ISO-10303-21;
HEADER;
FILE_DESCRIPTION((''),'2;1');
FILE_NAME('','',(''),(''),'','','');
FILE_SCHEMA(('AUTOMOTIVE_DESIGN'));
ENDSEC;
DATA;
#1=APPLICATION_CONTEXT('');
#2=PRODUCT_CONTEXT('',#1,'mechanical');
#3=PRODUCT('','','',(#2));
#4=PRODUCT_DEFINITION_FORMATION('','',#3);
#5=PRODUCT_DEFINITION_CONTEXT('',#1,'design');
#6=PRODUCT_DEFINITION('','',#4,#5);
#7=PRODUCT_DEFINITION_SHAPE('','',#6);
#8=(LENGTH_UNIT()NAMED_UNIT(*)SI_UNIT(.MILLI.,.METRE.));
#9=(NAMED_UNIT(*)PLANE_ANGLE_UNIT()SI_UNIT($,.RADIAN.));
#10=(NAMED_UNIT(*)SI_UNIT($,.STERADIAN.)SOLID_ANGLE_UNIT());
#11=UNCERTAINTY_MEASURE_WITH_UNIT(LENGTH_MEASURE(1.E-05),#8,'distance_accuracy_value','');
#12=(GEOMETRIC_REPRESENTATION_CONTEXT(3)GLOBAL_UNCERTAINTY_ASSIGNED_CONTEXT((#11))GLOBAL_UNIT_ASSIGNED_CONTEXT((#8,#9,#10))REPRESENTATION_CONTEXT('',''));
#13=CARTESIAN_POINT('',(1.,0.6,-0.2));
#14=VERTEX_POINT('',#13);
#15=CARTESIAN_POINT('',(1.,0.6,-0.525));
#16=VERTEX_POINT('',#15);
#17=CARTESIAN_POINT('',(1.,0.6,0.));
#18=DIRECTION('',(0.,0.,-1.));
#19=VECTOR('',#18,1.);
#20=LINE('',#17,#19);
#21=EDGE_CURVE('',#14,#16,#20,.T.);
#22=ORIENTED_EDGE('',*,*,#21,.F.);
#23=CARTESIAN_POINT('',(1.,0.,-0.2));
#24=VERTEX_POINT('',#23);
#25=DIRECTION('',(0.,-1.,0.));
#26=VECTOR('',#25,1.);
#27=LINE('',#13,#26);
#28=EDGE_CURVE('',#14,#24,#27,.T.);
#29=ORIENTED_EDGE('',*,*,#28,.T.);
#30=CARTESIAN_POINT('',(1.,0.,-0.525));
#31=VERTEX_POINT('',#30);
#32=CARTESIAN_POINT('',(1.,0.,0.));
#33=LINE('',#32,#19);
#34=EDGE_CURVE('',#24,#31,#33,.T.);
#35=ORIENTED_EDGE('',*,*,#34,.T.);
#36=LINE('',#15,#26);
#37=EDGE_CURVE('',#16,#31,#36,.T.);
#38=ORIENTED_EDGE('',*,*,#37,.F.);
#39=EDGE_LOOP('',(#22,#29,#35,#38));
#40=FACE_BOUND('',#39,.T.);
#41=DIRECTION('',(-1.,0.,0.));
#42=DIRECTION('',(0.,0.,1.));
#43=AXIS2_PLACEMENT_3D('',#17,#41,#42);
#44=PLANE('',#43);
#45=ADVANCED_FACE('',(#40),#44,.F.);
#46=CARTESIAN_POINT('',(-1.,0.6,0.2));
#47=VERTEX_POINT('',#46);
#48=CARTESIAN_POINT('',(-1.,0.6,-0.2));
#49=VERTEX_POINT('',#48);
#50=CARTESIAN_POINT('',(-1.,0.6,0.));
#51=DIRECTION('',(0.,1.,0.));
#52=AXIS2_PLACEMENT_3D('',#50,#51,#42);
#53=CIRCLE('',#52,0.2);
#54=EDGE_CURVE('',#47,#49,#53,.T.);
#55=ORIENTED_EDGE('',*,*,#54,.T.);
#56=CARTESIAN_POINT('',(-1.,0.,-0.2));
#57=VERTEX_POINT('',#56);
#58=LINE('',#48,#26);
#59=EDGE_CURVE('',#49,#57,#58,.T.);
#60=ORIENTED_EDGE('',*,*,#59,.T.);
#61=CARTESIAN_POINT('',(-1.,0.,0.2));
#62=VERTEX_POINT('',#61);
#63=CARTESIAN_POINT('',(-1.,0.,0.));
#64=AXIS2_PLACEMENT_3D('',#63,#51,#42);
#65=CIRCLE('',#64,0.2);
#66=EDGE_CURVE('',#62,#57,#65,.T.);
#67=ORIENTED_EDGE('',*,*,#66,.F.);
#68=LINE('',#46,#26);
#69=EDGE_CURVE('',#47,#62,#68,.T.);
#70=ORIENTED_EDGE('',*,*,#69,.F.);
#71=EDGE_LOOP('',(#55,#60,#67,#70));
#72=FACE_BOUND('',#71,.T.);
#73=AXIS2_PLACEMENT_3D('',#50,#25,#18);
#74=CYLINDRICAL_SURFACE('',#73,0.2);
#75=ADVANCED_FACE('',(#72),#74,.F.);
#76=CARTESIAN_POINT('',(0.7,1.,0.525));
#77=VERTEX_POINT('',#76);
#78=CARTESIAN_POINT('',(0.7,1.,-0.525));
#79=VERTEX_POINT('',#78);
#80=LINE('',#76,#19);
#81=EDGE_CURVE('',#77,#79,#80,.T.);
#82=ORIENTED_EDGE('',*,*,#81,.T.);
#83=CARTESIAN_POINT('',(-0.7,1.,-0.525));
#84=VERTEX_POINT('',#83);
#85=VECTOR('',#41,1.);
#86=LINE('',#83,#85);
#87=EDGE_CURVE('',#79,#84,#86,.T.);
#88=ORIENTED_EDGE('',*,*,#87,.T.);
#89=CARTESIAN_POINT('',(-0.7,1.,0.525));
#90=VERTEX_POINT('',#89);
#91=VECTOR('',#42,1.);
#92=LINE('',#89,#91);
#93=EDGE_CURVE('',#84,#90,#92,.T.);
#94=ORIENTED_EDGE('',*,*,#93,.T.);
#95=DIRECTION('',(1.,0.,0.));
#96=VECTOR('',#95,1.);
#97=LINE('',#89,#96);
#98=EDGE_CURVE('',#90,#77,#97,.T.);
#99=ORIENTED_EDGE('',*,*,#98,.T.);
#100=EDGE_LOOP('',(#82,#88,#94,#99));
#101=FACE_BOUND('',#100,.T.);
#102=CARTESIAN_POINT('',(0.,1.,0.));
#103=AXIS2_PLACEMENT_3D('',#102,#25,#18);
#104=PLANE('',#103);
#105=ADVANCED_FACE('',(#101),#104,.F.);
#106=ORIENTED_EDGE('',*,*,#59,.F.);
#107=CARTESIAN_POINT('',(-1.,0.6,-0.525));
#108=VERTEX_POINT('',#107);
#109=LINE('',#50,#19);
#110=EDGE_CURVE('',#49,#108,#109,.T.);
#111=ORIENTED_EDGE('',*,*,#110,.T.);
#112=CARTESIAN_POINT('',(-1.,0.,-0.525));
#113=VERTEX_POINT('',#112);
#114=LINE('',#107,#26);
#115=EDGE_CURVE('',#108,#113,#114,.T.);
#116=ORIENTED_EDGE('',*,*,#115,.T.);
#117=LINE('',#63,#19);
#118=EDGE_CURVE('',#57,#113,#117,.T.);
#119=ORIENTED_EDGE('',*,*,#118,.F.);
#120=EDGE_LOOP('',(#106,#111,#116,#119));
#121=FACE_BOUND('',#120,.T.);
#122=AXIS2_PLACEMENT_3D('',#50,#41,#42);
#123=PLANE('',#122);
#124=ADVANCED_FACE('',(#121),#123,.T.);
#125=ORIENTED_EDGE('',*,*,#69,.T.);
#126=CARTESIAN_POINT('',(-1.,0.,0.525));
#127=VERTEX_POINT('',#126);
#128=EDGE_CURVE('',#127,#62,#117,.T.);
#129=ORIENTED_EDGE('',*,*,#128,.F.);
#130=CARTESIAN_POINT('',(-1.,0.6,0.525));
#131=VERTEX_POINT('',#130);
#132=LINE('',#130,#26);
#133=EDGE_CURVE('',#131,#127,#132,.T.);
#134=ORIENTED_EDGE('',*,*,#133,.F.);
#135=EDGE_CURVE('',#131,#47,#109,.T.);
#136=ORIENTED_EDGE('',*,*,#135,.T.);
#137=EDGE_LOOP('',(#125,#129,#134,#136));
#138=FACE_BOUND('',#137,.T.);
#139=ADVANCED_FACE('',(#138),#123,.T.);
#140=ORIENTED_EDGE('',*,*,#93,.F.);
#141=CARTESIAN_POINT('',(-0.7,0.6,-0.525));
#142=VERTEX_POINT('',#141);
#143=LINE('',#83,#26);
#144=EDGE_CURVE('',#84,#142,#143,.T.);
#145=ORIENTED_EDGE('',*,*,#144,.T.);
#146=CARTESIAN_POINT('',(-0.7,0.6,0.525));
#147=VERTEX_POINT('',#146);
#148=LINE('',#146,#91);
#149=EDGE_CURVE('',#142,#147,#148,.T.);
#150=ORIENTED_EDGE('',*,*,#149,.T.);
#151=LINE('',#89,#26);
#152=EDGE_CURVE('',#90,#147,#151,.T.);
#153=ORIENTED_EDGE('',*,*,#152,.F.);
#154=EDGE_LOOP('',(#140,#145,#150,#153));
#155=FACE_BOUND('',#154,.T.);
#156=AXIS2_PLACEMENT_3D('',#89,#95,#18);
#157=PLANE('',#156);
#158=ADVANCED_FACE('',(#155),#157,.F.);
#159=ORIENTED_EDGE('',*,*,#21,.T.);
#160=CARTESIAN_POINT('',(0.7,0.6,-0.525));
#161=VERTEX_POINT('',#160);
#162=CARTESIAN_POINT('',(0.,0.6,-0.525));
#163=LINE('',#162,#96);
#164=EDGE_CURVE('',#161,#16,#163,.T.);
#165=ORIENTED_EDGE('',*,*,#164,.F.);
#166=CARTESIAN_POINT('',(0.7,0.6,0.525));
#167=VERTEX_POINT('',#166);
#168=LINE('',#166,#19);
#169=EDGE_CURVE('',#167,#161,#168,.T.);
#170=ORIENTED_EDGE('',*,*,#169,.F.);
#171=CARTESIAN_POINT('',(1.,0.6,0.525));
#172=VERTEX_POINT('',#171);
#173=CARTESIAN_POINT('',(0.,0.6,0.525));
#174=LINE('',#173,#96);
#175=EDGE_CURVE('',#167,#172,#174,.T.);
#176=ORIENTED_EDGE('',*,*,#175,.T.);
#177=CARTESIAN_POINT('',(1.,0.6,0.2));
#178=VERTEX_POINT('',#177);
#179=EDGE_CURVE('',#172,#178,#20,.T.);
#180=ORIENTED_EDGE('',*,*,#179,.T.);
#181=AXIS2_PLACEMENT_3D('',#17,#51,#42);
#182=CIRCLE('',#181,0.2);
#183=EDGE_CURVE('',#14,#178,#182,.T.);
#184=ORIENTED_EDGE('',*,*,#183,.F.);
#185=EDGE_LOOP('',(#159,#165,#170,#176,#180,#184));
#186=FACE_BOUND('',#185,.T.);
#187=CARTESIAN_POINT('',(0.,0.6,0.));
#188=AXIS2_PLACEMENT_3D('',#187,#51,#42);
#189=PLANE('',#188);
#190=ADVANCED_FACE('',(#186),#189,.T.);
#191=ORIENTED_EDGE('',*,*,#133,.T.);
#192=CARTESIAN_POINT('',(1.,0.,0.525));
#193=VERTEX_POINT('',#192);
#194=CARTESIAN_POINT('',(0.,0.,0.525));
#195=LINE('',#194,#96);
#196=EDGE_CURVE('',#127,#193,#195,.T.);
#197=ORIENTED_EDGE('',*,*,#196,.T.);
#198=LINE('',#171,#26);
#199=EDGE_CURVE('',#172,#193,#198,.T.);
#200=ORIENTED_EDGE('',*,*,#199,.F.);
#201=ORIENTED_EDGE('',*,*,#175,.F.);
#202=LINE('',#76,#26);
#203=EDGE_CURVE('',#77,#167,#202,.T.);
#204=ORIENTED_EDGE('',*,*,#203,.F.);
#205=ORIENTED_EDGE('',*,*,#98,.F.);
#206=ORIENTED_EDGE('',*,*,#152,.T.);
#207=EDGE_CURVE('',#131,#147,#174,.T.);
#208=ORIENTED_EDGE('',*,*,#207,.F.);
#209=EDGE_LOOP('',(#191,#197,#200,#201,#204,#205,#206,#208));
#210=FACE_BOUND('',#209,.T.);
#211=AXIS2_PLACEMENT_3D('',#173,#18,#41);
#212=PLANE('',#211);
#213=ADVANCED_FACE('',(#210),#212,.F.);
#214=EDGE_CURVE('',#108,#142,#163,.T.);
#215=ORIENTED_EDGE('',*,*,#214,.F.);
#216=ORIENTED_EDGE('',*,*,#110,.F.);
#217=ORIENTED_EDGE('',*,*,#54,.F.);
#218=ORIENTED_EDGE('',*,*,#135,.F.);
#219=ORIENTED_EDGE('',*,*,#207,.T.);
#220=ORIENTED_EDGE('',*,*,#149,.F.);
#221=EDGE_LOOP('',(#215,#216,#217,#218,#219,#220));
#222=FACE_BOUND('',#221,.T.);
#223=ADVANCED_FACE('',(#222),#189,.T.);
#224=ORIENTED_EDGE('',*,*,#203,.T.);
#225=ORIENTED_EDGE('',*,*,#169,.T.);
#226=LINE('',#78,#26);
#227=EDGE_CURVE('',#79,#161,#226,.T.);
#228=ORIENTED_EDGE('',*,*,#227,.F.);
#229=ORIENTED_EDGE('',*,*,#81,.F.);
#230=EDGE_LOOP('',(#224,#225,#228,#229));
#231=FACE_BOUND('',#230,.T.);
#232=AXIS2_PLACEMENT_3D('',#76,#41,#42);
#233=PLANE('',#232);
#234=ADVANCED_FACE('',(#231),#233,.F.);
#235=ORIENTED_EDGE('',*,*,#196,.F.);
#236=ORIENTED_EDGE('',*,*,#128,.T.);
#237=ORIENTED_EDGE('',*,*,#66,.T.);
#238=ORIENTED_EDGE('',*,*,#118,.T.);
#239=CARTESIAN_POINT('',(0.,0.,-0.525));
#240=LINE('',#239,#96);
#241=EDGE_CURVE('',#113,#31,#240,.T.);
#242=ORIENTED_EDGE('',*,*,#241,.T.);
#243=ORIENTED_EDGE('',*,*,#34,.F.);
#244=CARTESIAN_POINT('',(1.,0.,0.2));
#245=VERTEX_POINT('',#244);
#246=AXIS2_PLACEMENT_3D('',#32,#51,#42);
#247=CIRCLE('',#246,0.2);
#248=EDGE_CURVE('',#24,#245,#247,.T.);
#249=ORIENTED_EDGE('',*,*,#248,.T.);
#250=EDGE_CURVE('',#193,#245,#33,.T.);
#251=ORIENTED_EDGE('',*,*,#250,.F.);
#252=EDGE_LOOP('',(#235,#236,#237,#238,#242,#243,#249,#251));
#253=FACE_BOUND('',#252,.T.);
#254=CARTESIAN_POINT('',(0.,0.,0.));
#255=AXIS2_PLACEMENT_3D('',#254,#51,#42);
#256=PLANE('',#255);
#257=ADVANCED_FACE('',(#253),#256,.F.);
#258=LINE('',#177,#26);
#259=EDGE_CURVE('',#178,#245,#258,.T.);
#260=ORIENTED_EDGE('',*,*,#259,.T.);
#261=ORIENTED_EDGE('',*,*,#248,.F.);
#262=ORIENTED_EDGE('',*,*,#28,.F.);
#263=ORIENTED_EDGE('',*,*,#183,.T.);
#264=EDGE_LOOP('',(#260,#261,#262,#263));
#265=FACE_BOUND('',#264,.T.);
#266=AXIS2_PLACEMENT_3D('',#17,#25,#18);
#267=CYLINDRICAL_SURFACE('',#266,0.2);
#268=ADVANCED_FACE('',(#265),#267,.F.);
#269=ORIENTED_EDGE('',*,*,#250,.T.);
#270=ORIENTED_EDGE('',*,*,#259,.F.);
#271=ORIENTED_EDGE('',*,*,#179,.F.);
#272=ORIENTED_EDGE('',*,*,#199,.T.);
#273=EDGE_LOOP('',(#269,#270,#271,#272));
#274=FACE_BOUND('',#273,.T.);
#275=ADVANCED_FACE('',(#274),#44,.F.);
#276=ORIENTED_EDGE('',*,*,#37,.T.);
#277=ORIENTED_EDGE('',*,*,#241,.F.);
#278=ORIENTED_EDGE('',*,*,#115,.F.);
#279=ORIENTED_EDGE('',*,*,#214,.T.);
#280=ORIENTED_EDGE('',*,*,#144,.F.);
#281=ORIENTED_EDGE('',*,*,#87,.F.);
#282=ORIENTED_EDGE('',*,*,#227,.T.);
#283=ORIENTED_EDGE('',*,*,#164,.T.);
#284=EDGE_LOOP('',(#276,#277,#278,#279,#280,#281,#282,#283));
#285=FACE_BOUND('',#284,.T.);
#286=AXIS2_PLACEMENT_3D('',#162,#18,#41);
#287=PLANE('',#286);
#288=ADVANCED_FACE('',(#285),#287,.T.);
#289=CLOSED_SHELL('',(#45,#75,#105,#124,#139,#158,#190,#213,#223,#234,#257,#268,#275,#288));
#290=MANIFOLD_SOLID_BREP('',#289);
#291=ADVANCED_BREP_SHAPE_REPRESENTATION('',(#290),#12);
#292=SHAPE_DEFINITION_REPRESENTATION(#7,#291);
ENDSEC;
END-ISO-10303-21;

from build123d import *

# Parameters (mm, degrees)
BOSS_EXTRUDE1_DEPTH = 0.6
SKETCH4_W           = 1.4
SKETCH4_H           = 1.05
BOSS_EXTRUDE3_DEPTH = 0.4


with BuildPart() as part:
    # Sketch1 → Boss-Extrude1 (new body)
    with BuildSketch(Plane(origin=(0, 0, 0), x_dir=(1, 0, 0), z_dir=(0, 1, 0))):
        with BuildLine():
            Line((-1, -0.2), (-1, -0.525))
            Line((-1, -0.525), (1, -0.525))
            Line((1, -0.525), (1, -0.2))
            ThreePointArc((1, -0.2), (0.8, 0), (1, 0.2))
            Line((1, 0.2), (1, 0.525))
            Line((1, 0.525), (-1, 0.525))
            Line((-1, 0.525), (-1, 0.2))
            ThreePointArc((-1, 0.2), (-0.858578644, 0.141421356), (-0.8, 0))
            ThreePointArc((-0.8, 0), (-0.858578644, -0.141421356), (-1, -0.2))
        make_face()
    extrude(amount=BOSS_EXTRUDE1_DEPTH)

    # Sketch4 → Boss-Extrude3 (add)
    with BuildSketch(Plane(origin=(0, 0.6, 0), x_dir=(1, 0, 0), z_dir=(0, 1, 0))):
        Rectangle(SKETCH4_W, SKETCH4_H)
    extrude(amount=BOSS_EXTRUDE3_DEPTH)


solid = part.part
